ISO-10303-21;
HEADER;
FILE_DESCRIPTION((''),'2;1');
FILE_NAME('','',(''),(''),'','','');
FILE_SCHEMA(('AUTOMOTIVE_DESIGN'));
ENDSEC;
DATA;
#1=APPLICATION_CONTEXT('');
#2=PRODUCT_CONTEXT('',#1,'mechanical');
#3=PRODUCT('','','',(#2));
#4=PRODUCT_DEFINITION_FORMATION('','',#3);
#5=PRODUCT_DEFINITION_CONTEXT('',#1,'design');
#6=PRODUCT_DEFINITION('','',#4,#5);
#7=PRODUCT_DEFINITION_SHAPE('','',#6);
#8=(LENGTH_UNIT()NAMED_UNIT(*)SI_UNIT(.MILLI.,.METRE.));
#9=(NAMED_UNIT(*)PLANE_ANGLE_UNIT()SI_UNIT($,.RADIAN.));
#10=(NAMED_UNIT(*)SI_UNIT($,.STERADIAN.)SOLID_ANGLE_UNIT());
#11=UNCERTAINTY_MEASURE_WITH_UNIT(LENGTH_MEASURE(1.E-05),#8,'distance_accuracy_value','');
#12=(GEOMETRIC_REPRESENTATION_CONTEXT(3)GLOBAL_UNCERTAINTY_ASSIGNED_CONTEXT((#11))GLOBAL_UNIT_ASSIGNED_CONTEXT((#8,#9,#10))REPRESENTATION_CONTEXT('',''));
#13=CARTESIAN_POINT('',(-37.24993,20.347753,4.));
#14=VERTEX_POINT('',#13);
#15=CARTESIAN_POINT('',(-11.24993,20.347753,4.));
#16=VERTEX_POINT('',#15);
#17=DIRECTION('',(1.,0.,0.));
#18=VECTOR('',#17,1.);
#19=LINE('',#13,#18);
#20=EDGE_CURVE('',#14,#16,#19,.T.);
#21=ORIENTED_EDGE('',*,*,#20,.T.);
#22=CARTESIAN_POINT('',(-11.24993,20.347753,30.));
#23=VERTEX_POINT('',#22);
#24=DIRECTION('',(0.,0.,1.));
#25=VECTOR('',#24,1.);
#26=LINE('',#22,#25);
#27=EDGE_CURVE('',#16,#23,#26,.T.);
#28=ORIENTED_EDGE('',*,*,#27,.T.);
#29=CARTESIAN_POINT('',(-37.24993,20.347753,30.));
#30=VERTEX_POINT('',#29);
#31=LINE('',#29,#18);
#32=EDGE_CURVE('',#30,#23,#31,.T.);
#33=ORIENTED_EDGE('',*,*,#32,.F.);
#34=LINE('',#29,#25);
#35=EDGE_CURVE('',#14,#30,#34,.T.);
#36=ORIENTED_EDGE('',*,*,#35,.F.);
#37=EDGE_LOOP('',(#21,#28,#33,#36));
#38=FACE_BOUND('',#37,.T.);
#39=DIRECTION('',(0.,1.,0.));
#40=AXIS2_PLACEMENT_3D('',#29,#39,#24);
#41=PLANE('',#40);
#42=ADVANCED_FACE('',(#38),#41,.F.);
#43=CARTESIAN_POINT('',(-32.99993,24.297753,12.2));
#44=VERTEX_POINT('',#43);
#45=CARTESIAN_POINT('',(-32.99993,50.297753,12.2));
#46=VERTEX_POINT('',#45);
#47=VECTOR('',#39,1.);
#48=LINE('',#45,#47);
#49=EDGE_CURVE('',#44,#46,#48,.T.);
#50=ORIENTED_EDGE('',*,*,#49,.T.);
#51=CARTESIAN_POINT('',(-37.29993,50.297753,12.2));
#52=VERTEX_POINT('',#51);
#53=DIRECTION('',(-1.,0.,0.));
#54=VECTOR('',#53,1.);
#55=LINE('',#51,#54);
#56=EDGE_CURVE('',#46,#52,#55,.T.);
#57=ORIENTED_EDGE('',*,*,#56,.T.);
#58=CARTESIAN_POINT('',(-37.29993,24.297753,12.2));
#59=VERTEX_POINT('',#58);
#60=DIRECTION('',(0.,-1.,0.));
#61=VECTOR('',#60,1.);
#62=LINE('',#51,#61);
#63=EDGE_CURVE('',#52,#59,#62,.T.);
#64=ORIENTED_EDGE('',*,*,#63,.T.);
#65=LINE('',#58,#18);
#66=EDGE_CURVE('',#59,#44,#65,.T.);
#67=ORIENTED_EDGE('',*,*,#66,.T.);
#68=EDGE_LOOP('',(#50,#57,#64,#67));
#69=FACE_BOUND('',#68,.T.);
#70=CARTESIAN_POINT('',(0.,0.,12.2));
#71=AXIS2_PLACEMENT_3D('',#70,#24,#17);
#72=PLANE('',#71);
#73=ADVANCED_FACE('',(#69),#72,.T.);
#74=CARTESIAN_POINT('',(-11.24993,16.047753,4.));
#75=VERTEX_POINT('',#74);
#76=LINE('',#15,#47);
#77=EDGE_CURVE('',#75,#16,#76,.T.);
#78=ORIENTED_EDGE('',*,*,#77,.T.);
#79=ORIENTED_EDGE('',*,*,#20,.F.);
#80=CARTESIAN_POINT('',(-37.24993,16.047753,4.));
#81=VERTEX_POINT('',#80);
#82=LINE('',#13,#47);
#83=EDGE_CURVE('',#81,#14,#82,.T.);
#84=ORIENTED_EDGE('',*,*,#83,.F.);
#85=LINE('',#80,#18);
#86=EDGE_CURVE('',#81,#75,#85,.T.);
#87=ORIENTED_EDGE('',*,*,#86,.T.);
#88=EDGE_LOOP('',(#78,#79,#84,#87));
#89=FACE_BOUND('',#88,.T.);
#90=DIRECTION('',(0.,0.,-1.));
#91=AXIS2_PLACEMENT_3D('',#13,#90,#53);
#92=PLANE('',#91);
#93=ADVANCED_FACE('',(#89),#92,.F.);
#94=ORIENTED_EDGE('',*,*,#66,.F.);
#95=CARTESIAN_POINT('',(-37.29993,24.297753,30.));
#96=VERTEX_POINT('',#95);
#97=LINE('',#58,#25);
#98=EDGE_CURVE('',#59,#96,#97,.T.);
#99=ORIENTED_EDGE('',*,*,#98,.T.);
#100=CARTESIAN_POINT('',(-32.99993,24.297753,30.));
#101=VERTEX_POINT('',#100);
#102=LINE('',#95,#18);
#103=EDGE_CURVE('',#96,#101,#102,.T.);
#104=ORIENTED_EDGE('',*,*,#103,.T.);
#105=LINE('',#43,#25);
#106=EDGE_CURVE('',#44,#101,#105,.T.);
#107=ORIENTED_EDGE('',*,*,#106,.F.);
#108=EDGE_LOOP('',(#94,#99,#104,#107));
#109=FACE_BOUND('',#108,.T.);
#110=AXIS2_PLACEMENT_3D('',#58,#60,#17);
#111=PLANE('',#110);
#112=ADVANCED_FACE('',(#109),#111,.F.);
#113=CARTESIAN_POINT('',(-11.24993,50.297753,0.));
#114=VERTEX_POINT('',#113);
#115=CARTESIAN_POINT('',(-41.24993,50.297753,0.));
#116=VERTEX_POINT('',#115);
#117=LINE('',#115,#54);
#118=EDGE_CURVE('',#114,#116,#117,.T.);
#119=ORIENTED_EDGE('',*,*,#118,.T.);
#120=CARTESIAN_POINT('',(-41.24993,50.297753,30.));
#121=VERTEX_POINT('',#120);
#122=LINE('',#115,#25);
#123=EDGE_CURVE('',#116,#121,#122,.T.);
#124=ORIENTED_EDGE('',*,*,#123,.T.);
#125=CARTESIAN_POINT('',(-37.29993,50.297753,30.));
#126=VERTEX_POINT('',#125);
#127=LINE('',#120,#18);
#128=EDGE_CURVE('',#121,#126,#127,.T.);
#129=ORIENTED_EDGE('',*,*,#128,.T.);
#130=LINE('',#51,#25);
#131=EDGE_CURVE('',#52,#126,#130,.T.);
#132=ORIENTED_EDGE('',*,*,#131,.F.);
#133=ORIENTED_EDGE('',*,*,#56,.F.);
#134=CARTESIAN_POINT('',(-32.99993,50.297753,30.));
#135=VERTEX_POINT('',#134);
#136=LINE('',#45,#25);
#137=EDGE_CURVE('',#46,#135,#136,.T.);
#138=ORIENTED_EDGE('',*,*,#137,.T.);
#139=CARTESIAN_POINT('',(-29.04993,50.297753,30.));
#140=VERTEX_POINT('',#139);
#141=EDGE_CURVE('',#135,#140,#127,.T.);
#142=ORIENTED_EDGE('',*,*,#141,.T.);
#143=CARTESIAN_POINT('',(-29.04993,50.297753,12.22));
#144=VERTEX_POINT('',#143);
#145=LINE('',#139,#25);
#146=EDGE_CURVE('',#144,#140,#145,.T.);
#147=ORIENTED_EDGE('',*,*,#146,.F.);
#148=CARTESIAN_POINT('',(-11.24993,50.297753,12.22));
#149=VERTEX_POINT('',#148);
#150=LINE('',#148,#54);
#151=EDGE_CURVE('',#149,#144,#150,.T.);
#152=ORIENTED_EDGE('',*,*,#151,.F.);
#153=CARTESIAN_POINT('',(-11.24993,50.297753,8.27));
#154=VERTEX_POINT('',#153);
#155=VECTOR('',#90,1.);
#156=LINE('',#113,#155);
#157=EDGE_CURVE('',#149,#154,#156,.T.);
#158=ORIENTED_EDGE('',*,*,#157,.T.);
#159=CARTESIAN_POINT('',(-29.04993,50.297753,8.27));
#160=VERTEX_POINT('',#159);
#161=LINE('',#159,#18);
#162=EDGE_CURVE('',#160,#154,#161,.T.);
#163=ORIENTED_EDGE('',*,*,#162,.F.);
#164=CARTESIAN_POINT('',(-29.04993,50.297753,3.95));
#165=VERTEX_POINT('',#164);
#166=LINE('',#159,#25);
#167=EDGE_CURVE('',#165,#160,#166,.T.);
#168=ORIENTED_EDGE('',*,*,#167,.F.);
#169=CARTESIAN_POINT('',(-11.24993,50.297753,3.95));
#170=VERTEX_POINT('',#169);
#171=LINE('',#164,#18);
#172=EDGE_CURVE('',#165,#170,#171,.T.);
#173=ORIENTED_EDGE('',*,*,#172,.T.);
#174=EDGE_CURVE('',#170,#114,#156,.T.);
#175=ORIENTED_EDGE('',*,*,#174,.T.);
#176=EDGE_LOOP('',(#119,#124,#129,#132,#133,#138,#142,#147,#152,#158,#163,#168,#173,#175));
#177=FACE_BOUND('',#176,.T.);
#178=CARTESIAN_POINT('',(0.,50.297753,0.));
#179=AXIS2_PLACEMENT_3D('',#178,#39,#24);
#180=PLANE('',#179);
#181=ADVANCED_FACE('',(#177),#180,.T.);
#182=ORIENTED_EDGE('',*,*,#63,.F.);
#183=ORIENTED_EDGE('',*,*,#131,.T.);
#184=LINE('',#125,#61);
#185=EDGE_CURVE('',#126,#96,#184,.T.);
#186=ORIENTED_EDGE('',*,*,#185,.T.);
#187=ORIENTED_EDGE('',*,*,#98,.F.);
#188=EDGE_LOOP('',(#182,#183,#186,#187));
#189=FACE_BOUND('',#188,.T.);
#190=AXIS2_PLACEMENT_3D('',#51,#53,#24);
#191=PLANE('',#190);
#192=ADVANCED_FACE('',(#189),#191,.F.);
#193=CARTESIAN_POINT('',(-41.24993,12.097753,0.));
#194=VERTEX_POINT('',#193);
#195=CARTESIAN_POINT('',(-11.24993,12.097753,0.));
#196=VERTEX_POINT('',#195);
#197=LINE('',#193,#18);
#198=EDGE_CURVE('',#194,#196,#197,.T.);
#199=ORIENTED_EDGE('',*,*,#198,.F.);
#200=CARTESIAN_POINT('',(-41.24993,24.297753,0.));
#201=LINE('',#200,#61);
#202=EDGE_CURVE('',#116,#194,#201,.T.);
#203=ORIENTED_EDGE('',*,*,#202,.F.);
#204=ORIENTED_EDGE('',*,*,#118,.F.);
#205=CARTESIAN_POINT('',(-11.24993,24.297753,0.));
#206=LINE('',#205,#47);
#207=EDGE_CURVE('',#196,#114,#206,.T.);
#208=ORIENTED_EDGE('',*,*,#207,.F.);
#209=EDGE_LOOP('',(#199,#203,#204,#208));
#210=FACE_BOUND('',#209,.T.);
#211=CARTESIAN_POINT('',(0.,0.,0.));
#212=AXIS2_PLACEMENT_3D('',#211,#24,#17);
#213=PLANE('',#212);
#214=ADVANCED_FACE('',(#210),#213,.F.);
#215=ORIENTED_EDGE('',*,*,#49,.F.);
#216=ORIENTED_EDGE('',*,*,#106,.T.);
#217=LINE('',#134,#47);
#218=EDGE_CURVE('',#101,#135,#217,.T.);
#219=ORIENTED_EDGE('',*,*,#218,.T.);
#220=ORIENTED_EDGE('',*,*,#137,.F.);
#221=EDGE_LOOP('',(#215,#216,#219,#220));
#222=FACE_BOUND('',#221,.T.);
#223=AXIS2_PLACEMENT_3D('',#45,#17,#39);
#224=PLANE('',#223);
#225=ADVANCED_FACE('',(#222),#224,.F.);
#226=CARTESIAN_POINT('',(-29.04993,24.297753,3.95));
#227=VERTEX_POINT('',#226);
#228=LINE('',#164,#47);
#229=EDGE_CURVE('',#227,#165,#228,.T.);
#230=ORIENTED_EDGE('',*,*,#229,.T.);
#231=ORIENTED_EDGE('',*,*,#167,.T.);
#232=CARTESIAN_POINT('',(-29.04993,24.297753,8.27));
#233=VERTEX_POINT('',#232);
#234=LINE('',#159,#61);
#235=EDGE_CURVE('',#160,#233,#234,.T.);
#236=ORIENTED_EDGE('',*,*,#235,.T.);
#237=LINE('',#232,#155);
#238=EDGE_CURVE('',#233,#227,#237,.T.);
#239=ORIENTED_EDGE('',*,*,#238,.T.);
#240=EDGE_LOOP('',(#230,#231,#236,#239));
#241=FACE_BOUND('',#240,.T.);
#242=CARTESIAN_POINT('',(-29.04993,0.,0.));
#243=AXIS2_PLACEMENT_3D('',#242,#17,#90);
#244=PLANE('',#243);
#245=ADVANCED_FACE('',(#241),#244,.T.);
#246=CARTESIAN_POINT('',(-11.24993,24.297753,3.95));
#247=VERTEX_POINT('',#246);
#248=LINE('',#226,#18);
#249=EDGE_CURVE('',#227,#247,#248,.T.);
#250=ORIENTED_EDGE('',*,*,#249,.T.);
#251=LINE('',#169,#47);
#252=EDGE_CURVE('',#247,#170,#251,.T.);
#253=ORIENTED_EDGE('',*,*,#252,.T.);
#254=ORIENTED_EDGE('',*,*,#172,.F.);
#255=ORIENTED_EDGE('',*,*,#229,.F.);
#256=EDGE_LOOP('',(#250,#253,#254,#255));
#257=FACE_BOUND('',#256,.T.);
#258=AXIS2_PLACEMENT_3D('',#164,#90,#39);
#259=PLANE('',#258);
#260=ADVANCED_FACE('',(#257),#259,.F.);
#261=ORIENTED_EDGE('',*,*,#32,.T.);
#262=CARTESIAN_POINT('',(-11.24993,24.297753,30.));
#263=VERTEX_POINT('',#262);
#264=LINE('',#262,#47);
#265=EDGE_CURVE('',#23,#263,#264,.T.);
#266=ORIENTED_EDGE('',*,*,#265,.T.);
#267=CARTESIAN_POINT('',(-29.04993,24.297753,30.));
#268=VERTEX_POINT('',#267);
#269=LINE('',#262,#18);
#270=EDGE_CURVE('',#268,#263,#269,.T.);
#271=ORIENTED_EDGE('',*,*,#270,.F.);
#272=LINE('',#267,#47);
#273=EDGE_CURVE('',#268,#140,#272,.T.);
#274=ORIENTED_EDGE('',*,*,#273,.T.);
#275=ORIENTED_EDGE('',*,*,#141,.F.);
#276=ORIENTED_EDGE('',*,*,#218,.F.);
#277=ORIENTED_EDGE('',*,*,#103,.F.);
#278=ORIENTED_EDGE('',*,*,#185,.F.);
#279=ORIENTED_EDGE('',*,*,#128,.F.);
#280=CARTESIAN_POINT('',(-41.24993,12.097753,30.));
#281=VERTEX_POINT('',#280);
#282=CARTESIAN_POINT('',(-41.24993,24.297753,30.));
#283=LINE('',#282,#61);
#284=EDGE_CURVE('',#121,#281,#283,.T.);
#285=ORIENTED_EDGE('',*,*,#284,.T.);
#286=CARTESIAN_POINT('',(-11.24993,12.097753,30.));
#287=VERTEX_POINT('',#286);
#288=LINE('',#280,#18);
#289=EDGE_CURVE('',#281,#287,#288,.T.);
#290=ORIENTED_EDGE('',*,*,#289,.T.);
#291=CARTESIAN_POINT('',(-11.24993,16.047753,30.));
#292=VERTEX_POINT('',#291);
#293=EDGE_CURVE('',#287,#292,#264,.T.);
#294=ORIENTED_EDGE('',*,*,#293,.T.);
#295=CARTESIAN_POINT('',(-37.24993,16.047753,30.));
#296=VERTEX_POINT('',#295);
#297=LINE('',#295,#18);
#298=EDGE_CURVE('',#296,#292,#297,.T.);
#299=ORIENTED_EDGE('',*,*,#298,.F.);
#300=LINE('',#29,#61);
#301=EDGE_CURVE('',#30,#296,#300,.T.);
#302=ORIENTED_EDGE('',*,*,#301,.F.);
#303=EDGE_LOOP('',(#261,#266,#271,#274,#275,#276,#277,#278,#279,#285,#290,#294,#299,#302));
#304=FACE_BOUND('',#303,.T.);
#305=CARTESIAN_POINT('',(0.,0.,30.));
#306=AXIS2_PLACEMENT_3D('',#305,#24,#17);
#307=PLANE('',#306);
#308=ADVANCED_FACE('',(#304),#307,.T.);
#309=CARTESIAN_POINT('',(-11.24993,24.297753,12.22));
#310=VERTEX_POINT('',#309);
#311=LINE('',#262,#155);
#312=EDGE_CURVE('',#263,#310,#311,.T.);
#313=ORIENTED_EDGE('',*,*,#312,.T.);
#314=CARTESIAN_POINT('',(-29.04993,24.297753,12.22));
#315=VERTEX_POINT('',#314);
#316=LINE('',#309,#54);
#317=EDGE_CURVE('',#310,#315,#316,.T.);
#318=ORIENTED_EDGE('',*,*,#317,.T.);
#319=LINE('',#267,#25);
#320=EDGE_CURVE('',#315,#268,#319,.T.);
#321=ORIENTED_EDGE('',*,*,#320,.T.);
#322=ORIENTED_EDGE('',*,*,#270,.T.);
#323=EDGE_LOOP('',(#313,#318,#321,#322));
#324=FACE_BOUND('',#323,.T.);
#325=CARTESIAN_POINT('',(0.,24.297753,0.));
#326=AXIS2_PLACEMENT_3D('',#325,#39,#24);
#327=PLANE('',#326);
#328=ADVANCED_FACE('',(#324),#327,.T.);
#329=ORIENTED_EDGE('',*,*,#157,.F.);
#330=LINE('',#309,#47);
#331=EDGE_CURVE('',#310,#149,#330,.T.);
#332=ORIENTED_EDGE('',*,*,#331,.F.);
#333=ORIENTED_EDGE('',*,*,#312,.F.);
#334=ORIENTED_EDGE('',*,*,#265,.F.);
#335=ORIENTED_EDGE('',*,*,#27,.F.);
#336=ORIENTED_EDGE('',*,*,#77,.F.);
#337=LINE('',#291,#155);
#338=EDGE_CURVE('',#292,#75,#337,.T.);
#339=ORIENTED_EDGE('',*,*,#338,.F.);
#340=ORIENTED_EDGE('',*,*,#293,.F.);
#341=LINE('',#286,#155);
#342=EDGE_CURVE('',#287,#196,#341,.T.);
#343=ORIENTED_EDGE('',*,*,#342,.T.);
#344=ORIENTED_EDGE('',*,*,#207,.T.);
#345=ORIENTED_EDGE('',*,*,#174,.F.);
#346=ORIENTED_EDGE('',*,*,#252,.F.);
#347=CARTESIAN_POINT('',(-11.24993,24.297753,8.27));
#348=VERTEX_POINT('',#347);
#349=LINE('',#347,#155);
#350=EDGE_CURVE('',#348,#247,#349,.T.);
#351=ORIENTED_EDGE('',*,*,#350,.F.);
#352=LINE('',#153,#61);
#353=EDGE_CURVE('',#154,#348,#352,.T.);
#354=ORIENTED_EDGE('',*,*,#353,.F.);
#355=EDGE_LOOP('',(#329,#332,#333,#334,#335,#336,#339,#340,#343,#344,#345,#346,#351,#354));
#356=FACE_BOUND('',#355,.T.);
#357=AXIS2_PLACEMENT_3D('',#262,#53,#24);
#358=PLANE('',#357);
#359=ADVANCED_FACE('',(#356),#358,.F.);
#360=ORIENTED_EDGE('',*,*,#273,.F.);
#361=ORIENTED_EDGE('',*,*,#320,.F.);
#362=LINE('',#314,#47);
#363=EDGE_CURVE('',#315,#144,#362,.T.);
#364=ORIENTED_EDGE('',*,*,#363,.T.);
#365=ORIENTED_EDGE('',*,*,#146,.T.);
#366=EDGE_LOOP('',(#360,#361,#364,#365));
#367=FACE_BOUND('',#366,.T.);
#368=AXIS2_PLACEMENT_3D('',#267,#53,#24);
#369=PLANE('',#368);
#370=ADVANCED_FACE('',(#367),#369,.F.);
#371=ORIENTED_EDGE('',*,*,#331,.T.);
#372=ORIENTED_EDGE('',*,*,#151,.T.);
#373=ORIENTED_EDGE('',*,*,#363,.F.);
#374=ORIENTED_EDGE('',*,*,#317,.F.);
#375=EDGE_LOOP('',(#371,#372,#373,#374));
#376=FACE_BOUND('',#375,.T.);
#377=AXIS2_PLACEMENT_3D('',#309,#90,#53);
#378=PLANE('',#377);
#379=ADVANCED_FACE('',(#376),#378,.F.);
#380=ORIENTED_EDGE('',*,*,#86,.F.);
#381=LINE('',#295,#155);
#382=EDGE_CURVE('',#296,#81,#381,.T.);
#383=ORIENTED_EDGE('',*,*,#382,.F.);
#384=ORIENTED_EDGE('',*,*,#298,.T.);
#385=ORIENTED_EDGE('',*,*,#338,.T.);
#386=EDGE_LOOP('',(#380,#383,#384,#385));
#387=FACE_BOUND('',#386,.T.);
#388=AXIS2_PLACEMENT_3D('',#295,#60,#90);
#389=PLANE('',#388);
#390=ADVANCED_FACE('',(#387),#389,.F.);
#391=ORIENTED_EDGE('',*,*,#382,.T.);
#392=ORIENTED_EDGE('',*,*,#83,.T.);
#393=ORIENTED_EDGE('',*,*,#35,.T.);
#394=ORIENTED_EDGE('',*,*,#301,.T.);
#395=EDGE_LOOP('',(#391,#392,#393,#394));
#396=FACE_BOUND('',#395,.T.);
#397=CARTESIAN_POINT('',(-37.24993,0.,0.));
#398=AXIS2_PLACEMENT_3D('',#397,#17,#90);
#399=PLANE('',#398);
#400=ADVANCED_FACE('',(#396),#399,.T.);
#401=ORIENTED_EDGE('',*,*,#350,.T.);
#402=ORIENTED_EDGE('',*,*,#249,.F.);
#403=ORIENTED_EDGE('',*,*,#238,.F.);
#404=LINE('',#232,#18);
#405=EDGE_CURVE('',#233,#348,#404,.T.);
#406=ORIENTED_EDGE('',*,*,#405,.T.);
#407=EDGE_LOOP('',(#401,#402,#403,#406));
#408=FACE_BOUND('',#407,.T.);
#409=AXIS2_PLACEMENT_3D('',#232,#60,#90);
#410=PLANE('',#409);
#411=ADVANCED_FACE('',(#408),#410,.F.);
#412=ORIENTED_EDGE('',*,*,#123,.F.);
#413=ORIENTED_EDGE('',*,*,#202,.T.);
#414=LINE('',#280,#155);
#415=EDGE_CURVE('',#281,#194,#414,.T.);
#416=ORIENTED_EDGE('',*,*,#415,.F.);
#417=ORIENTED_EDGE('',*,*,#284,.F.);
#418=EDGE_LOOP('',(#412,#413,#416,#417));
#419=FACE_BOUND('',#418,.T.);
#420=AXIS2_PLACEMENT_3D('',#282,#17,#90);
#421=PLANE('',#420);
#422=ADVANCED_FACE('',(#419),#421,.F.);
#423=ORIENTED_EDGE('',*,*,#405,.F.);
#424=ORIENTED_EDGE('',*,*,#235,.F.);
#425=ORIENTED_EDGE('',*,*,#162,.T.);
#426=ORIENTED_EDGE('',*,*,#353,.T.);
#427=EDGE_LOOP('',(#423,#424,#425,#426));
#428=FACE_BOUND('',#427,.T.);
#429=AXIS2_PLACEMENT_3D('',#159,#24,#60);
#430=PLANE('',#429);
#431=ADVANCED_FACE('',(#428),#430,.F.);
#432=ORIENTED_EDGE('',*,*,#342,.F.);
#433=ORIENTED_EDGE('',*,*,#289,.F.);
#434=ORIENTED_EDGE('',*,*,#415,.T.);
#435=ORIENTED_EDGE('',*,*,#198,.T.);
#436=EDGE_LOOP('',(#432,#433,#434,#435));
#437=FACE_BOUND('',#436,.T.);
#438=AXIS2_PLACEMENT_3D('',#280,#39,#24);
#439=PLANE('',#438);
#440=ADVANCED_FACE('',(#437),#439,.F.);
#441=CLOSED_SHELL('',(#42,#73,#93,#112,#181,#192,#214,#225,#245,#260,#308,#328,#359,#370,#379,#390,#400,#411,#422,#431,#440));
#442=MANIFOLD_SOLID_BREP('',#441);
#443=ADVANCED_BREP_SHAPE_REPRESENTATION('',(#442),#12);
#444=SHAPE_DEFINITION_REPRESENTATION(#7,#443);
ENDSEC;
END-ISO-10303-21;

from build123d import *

# Parameters (mm, degrees)
SKETCH1_W           = 30
SKETCH1_H           = 12.2
BOSS_EXTRUDE1_DEPTH = 30
SKETCH2_W           = 26
SKETCH2_H           = 4.3
CUT_EXTRUDE1_DEPTH  = 26
SKETCH3_W           = 30
SKETCH3_H           = 30
BOSS_EXTRUDE2_DEPTH = 26
SKETCH4_W           = 17.8
SKETCH4_H           = 17.78
CUT_EXTRUDE2_DEPTH  = 26
SKETCH6_W           = 4.32
SKETCH6_H           = 26
CUT_EXTRUDE3_DEPTH  = 17.8
SKETCH9_W           = 4.3
SKETCH9_H           = 26
CUT_EXTRUDE4_DEPTH  = 17.8


with BuildPart() as part:
    # Sketch1 → Boss-Extrude1 (new body)
    with BuildSketch(Plane.XY):
        with Locations((-26.249929658, 18.197752809)):
            Rectangle(SKETCH1_W, SKETCH1_H)
    extrude(amount=BOSS_EXTRUDE1_DEPTH)

    # Sketch2 → Cut-Extrude1 (cut)
    with BuildSketch(Plane(origin=(-11.249929658, 0, 0), x_dir=(0, 0, -1), z_dir=(1, 0, 0))):
        with Locations((-17, 18.197752809)):
            Rectangle(SKETCH2_W, SKETCH2_H)
    extrude(amount=-CUT_EXTRUDE1_DEPTH, mode=Mode.SUBTRACT)

    # Sketch3 → Boss-Extrude2 (add)
    with BuildSketch(Plane(origin=(0, 24.297752809, 0), x_dir=(1, 0, 0), z_dir=(0, 1, 0))):
        with Locations((-26.249929658, -15)):
            Rectangle(SKETCH3_W, SKETCH3_H)
    extrude(amount=BOSS_EXTRUDE2_DEPTH)

    # Sketch4 → Cut-Extrude2 (cut)
    with BuildSketch(Plane(origin=(0, 50.297752809, 0), x_dir=(1, 0, 0), z_dir=(0, 1, 0))):
        with Locations((-20.149929658, -21.11)):
            Rectangle(SKETCH4_W, SKETCH4_H)
    extrude(amount=-CUT_EXTRUDE2_DEPTH, mode=Mode.SUBTRACT)

    # Sketch6 → Cut-Extrude3 (cut)
    with BuildSketch(Plane(origin=(-11.249929658, 0, 0), x_dir=(0, 0, -1), z_dir=(1, 0, 0))):
        with Locations((-6.11, 37.297752809)):
            Rectangle(SKETCH6_W, SKETCH6_H)
    extrude(amount=-CUT_EXTRUDE3_DEPTH, mode=Mode.SUBTRACT)

    # Sketch9 → Cut-Extrude4 (cut)
    with BuildSketch(Plane.XY.offset(30)):
        with Locations((-35.149929658, 37.297752809)):
            Rectangle(SKETCH9_W, SKETCH9_H)
    extrude(amount=-CUT_EXTRUDE4_DEPTH, mode=Mode.SUBTRACT)


solid = part.part
